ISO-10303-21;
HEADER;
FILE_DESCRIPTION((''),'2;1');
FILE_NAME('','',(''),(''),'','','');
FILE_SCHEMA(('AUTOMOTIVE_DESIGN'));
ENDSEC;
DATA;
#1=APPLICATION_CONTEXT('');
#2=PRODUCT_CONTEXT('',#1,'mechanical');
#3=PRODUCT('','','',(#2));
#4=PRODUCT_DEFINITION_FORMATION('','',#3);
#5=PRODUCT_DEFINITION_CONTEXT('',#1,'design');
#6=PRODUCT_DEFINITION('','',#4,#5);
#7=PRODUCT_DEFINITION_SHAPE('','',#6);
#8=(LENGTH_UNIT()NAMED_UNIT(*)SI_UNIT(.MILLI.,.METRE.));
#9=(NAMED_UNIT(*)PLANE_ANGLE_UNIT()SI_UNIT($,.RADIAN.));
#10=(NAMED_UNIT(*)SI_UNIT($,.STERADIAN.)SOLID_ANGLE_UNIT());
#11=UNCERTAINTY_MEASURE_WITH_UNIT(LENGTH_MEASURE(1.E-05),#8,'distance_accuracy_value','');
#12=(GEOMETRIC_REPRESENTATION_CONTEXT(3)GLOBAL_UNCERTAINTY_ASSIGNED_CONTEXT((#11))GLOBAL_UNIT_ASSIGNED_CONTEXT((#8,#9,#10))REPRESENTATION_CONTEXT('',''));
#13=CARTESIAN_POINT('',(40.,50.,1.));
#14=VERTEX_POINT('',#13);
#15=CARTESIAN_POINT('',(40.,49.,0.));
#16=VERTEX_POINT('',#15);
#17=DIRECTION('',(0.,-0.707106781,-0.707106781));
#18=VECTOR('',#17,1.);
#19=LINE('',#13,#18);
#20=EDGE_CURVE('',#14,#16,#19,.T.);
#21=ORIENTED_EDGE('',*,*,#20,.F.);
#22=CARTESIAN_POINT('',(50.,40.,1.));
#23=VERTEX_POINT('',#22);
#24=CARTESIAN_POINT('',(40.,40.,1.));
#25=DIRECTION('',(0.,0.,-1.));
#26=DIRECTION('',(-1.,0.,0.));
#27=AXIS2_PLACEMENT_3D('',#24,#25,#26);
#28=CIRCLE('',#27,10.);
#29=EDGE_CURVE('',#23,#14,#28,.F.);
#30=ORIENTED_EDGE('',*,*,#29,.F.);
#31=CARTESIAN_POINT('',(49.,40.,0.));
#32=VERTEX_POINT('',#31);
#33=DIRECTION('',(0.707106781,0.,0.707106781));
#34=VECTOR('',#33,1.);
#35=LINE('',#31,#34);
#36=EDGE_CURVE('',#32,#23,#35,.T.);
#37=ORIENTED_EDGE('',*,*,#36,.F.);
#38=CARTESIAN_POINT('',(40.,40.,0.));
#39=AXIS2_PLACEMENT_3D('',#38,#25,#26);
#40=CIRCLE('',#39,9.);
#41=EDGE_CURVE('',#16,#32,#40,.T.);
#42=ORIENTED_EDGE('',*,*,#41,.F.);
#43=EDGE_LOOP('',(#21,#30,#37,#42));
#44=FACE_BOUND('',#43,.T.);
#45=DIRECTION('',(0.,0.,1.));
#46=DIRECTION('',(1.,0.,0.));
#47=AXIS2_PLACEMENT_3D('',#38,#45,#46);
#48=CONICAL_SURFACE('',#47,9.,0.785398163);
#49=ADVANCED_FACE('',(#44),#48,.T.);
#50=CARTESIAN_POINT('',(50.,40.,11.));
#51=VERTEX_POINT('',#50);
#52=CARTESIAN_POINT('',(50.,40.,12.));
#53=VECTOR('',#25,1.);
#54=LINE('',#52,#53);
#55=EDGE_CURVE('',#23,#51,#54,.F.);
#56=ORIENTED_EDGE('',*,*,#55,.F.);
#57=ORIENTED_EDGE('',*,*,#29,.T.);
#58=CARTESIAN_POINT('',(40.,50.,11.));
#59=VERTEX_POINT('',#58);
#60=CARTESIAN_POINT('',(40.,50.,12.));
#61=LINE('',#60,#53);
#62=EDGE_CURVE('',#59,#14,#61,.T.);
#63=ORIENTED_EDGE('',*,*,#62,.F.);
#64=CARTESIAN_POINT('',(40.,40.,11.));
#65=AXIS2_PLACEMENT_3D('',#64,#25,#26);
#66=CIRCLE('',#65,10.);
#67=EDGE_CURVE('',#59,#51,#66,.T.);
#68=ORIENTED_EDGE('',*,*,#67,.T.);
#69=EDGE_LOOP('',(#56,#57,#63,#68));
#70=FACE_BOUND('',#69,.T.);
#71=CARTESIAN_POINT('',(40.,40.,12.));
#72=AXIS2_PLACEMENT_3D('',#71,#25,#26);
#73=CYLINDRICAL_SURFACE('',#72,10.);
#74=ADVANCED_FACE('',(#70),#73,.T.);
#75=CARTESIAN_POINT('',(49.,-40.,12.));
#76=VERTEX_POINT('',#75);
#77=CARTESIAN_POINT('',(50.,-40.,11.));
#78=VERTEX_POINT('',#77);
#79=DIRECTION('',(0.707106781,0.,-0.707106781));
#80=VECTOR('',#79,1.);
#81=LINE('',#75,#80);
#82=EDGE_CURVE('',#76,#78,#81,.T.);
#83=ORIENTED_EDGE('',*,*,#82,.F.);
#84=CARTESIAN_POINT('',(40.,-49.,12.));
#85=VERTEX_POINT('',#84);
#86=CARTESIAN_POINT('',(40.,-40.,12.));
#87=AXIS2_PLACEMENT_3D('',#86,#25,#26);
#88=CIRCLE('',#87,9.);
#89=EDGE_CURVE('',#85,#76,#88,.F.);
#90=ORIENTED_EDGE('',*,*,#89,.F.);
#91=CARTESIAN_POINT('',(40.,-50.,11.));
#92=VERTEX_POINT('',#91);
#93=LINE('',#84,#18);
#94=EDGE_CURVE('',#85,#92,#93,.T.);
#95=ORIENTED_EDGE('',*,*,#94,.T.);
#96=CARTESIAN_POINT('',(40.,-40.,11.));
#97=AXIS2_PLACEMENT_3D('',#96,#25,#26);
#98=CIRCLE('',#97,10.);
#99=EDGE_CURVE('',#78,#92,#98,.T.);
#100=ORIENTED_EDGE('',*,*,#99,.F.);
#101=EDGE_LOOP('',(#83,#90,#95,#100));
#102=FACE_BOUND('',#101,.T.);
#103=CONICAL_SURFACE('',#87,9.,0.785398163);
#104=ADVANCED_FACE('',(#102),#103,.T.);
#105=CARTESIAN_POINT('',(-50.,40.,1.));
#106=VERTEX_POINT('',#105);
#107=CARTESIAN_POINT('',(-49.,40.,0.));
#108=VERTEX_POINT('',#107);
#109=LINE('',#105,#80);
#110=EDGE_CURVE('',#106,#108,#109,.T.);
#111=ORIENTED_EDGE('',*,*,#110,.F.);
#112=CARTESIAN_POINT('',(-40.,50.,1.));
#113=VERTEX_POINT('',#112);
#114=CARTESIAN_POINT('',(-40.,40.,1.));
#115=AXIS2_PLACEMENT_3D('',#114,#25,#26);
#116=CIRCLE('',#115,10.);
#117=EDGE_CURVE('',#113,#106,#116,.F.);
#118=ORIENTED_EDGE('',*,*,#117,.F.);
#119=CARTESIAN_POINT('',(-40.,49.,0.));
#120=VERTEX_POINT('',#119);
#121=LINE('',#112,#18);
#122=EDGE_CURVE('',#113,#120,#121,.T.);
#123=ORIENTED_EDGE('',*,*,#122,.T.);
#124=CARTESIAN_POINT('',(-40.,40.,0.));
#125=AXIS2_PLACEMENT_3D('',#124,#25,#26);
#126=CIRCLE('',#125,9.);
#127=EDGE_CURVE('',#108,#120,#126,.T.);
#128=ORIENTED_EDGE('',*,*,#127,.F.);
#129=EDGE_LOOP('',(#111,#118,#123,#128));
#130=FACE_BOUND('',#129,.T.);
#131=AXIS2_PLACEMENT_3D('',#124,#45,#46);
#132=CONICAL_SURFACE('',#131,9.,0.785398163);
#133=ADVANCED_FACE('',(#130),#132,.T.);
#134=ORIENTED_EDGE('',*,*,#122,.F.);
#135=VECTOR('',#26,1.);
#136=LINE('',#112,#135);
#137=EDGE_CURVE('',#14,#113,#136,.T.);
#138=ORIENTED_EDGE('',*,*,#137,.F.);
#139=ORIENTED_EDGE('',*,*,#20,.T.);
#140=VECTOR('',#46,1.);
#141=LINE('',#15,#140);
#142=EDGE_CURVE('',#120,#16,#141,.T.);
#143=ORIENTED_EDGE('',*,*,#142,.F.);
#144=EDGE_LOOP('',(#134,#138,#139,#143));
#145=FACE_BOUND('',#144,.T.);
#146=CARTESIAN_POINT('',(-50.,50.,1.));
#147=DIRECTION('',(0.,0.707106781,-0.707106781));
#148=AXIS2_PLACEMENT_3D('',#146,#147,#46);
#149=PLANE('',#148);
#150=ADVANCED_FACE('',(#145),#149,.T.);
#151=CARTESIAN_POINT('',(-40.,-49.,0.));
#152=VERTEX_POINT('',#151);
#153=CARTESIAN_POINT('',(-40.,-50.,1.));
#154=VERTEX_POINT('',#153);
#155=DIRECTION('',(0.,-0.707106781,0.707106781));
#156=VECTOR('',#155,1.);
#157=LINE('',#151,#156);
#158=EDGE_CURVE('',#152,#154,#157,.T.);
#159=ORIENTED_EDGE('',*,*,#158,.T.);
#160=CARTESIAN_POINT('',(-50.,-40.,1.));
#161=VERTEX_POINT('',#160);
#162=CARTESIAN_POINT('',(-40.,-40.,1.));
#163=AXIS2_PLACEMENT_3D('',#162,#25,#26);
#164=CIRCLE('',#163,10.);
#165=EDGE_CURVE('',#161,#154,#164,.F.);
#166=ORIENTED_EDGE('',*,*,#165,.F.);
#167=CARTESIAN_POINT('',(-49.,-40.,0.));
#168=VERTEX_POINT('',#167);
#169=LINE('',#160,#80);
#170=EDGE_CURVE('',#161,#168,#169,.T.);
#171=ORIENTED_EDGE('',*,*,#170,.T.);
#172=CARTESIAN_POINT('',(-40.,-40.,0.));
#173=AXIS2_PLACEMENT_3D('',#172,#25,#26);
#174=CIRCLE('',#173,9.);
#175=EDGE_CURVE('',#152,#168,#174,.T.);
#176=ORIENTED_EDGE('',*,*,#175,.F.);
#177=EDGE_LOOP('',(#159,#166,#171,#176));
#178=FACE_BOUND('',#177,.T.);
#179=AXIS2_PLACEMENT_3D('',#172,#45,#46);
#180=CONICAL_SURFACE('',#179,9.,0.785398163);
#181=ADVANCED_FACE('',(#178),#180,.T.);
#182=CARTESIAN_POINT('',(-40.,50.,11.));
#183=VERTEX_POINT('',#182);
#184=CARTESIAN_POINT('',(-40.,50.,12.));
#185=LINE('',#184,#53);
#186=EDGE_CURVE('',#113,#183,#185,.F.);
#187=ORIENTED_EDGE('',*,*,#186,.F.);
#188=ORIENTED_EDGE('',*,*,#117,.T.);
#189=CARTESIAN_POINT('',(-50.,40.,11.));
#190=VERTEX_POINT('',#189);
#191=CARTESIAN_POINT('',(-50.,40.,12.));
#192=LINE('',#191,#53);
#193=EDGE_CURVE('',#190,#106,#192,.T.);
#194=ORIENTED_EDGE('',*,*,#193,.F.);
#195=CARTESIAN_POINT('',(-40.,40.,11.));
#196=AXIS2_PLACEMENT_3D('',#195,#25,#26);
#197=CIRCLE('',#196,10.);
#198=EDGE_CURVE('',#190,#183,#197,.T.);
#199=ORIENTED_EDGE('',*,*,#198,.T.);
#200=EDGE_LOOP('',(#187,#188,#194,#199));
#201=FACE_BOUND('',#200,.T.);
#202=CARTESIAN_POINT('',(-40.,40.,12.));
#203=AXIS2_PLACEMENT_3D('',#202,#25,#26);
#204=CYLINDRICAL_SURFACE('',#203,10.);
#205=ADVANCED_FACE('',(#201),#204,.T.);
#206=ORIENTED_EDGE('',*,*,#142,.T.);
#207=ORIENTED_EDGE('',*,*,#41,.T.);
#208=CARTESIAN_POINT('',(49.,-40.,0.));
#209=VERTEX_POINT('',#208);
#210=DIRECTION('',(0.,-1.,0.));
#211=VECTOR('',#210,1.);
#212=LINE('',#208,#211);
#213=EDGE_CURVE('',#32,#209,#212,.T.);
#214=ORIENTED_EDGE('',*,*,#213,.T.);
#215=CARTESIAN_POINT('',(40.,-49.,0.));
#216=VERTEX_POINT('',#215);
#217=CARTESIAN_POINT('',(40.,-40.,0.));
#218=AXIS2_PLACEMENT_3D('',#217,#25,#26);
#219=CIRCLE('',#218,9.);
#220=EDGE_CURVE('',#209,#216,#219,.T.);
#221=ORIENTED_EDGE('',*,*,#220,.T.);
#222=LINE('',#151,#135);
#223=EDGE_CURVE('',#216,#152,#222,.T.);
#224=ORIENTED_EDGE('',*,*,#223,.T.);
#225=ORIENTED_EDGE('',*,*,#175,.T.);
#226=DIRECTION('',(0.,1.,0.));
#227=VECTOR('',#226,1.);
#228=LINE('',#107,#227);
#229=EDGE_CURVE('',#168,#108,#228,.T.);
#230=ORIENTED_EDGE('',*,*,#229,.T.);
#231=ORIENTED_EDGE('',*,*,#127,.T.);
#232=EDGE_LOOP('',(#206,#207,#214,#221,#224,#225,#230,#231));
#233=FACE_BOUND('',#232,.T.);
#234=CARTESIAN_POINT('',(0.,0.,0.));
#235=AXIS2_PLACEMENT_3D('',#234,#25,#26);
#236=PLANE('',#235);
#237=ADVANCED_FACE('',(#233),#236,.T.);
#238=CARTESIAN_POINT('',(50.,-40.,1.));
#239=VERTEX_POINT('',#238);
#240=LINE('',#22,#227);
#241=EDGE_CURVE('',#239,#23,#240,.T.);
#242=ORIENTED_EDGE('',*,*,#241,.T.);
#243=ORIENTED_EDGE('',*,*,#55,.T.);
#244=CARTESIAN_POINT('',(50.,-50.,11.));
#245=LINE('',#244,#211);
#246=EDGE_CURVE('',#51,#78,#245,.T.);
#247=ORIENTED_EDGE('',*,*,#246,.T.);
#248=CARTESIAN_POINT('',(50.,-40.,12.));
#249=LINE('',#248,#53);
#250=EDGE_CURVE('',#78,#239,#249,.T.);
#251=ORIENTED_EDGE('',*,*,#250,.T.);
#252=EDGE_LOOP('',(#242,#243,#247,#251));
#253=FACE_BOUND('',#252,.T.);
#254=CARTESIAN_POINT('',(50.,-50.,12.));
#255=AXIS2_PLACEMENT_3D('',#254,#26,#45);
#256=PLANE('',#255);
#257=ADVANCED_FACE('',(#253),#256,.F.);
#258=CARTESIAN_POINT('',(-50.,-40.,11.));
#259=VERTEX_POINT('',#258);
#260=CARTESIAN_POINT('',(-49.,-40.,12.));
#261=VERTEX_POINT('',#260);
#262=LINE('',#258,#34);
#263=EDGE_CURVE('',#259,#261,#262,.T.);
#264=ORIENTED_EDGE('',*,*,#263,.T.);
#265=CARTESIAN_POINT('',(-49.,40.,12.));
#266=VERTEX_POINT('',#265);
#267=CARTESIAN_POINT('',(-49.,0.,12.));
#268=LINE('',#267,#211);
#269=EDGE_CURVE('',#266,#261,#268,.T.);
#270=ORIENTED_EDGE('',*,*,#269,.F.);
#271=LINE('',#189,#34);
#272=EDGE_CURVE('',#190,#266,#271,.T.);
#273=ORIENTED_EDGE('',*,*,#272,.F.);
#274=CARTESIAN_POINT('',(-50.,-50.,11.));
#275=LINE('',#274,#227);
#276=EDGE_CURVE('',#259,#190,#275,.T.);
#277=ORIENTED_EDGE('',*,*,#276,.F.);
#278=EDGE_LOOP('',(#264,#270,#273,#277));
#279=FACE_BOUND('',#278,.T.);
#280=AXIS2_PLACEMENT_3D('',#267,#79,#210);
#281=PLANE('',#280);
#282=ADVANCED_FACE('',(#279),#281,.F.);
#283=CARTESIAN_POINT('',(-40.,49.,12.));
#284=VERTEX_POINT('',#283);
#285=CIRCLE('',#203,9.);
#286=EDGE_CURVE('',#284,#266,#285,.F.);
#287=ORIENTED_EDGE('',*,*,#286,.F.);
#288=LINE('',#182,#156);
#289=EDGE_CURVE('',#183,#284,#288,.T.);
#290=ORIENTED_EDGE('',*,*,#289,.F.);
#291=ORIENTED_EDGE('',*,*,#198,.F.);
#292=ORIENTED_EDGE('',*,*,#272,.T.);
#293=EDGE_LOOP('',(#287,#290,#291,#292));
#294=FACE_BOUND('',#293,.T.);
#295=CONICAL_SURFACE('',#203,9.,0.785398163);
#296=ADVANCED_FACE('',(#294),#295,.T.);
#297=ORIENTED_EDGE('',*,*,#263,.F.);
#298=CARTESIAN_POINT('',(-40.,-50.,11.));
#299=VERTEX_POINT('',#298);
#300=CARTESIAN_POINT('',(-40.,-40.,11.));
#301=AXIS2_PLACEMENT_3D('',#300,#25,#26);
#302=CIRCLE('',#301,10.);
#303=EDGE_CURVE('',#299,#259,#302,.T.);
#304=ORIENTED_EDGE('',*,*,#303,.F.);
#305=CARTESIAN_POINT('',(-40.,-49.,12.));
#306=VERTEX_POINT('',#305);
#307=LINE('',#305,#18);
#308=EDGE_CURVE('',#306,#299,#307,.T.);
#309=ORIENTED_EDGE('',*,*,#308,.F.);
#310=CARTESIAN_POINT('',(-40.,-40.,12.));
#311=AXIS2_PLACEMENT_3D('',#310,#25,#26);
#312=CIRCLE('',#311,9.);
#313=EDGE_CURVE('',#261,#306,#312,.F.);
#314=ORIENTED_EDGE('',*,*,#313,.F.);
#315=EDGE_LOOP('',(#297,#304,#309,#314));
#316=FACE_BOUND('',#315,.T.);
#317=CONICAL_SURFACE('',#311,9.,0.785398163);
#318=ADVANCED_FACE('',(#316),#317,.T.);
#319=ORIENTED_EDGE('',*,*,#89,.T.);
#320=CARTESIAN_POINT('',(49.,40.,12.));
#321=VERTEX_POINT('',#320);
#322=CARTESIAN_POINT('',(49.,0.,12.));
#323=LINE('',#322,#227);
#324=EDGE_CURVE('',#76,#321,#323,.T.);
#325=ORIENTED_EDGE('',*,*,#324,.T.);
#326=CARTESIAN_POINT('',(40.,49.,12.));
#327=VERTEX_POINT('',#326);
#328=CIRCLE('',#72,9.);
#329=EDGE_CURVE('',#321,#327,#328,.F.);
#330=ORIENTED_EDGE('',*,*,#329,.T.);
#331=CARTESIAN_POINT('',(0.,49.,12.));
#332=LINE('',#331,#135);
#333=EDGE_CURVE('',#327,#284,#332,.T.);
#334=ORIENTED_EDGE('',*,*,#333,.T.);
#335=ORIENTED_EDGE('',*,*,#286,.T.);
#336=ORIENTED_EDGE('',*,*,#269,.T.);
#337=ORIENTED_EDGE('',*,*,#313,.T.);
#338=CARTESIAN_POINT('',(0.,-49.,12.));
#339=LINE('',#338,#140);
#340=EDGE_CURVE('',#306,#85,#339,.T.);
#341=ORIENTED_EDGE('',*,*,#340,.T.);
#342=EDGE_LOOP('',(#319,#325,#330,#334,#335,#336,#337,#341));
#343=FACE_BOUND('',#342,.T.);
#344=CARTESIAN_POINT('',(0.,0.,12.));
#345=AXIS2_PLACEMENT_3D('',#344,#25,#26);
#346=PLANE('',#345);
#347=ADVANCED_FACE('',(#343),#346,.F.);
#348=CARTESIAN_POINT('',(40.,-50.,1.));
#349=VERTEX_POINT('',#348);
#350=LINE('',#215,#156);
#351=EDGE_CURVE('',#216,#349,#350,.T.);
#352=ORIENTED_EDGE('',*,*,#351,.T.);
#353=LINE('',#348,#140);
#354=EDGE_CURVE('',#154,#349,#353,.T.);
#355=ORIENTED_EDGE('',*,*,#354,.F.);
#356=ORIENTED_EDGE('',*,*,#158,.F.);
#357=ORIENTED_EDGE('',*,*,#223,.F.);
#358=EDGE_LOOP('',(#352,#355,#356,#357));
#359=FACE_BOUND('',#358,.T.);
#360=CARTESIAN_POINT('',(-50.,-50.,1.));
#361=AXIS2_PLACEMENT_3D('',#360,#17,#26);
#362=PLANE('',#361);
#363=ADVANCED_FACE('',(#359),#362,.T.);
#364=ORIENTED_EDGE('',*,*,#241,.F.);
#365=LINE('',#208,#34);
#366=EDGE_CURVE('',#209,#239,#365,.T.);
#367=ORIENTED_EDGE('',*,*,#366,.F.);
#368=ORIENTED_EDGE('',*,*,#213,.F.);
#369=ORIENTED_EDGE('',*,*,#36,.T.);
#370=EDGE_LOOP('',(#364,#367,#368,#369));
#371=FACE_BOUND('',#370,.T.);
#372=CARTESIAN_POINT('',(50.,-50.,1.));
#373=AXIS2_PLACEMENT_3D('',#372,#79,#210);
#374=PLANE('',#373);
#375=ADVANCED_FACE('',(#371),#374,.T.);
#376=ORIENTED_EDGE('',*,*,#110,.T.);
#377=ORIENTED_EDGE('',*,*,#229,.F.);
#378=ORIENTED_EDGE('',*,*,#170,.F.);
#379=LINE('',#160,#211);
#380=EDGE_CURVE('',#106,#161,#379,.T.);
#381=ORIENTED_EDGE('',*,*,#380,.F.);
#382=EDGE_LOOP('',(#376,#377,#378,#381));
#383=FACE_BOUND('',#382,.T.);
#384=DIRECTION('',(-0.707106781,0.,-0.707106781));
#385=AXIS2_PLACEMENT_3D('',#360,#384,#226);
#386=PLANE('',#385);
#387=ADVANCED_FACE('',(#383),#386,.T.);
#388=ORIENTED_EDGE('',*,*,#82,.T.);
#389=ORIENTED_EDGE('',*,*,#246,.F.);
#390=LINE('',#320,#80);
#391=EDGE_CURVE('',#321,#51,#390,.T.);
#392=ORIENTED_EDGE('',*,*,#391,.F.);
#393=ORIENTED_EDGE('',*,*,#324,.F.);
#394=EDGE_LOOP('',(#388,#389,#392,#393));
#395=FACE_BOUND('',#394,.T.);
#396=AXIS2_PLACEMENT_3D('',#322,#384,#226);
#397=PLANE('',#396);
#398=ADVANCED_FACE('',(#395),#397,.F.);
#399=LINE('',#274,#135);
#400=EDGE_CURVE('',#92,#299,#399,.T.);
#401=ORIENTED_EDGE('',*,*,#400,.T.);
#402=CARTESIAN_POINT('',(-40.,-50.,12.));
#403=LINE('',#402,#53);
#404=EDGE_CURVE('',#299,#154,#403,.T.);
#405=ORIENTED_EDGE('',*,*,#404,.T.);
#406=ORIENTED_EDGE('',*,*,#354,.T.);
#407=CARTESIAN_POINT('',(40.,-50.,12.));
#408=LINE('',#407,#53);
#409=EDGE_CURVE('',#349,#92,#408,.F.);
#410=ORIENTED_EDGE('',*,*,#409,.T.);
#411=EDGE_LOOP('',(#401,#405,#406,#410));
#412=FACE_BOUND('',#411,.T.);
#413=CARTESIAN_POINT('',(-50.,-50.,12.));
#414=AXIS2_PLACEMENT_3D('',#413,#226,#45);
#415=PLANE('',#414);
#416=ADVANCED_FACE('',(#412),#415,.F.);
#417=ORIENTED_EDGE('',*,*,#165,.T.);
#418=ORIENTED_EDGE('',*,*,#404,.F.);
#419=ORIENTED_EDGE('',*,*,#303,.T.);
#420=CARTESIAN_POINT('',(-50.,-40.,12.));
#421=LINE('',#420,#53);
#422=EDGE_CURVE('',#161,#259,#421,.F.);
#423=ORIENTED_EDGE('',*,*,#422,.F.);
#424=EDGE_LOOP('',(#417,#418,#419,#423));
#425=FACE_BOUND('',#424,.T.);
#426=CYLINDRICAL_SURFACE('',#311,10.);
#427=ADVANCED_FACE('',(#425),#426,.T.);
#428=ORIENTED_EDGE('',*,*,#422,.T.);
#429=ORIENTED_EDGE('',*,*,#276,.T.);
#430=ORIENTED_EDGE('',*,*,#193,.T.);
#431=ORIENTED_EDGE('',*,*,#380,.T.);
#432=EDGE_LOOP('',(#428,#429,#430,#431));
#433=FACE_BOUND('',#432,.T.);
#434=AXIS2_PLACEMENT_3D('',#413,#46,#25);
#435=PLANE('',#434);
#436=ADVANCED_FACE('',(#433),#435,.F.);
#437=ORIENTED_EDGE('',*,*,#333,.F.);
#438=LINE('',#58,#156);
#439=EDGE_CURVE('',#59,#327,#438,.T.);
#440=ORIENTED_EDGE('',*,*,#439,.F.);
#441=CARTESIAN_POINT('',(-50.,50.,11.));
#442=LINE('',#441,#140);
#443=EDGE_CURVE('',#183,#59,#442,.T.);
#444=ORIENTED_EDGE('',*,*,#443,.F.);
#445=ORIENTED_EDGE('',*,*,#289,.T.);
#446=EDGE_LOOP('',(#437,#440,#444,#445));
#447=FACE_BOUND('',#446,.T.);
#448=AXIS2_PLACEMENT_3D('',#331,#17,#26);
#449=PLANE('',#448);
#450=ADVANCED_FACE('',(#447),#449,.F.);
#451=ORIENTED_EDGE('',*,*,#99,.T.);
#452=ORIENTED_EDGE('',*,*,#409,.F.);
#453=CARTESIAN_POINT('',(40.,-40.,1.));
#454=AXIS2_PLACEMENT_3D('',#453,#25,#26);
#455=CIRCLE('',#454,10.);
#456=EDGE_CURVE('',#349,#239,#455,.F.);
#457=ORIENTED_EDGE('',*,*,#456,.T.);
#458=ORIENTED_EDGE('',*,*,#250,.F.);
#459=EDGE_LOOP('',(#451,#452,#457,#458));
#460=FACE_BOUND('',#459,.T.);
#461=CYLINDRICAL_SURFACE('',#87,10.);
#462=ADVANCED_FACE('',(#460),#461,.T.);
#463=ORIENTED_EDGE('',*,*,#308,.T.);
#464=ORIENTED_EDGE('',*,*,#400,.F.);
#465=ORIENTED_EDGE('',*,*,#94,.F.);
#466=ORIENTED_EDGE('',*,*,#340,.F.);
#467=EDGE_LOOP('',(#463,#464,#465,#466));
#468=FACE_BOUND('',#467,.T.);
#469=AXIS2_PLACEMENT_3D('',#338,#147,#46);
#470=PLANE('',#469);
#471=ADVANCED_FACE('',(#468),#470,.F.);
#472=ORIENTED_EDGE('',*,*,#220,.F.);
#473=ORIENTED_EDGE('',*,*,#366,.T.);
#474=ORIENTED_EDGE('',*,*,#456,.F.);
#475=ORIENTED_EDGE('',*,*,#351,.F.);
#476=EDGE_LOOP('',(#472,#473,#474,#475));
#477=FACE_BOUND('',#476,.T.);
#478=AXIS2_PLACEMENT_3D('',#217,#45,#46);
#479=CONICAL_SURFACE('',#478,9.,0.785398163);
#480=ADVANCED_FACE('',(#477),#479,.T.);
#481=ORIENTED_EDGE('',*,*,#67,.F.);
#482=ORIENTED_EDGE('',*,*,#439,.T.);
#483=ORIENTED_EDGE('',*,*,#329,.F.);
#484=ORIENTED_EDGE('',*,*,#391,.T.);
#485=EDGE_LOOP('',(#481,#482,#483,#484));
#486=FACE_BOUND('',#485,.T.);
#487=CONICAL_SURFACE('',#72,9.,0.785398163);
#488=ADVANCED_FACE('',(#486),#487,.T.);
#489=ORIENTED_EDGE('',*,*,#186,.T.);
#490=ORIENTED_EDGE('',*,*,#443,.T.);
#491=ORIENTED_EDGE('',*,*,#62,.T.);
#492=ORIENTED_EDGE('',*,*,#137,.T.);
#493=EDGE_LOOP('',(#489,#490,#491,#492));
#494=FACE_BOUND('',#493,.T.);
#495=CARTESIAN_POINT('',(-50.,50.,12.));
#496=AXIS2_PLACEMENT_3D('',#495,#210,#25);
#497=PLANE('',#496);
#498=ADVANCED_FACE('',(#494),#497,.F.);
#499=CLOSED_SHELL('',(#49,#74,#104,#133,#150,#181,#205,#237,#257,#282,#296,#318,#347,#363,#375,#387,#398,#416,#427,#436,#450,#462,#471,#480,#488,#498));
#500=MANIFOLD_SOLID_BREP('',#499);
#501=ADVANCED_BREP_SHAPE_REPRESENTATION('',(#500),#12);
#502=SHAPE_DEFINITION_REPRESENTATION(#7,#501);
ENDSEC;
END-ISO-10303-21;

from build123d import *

# Parameters (mm, degrees)
SKETCH1_W           = 100
SKETCH1_H           = 100
BOSS_EXTRUDE1_DEPTH = 12
FILLET1_R           = 10
CHAMFER1_SIZE       = 1
CHAMFER2_SIZE       = 1


with BuildPart() as part:
    # Sketch1 → Boss-Extrude1 (new body)
    with BuildSketch(Plane.XY):
        Rectangle(SKETCH1_W, SKETCH1_H)
    extrude(amount=BOSS_EXTRUDE1_DEPTH)

    # Fillet1
    fillet1_edges = [part.edges().sort_by_distance(p)[0] for p in [
        (50, -50, 6),
        (-50, -50, 6),
        (-50, 50, 6),
        (50, 50, 6),
    ]]
    fillet(fillet1_edges, radius=FILLET1_R)

    # Chamfer1
    chamfer1_edges = [part.edges().sort_by_distance(p)[0] for p in [
        (-50, 0, 0),
        (50, 0, 0),
        (0, -50, 0),
        (0, 50, 0),
        (47.071067812, 47.071067812, 0),
        (47.071067812, -47.071067812, 0),
        (-47.071067812, -47.071067812, 0),
        (-47.071067812, 47.071067812, 0),
    ]]
    chamfer(chamfer1_edges, length=CHAMFER1_SIZE)

    # Chamfer2
    chamfer2_edges = [part.edges().sort_by_distance(p)[0] for p in [
        (-50, 0, 12),
        (0, 50, 12),
        (50, 0, 12),
        (0, -50, 12),
        (47.071067812, 47.071067812, 12),
        (47.071067812, -47.071067812, 12),
        (-47.071067812, -47.071067812, 12),
        (-47.071067812, 47.071067812, 12),
    ]]
    chamfer(chamfer2_edges, length=CHAMFER2_SIZE)


solid = part.part
